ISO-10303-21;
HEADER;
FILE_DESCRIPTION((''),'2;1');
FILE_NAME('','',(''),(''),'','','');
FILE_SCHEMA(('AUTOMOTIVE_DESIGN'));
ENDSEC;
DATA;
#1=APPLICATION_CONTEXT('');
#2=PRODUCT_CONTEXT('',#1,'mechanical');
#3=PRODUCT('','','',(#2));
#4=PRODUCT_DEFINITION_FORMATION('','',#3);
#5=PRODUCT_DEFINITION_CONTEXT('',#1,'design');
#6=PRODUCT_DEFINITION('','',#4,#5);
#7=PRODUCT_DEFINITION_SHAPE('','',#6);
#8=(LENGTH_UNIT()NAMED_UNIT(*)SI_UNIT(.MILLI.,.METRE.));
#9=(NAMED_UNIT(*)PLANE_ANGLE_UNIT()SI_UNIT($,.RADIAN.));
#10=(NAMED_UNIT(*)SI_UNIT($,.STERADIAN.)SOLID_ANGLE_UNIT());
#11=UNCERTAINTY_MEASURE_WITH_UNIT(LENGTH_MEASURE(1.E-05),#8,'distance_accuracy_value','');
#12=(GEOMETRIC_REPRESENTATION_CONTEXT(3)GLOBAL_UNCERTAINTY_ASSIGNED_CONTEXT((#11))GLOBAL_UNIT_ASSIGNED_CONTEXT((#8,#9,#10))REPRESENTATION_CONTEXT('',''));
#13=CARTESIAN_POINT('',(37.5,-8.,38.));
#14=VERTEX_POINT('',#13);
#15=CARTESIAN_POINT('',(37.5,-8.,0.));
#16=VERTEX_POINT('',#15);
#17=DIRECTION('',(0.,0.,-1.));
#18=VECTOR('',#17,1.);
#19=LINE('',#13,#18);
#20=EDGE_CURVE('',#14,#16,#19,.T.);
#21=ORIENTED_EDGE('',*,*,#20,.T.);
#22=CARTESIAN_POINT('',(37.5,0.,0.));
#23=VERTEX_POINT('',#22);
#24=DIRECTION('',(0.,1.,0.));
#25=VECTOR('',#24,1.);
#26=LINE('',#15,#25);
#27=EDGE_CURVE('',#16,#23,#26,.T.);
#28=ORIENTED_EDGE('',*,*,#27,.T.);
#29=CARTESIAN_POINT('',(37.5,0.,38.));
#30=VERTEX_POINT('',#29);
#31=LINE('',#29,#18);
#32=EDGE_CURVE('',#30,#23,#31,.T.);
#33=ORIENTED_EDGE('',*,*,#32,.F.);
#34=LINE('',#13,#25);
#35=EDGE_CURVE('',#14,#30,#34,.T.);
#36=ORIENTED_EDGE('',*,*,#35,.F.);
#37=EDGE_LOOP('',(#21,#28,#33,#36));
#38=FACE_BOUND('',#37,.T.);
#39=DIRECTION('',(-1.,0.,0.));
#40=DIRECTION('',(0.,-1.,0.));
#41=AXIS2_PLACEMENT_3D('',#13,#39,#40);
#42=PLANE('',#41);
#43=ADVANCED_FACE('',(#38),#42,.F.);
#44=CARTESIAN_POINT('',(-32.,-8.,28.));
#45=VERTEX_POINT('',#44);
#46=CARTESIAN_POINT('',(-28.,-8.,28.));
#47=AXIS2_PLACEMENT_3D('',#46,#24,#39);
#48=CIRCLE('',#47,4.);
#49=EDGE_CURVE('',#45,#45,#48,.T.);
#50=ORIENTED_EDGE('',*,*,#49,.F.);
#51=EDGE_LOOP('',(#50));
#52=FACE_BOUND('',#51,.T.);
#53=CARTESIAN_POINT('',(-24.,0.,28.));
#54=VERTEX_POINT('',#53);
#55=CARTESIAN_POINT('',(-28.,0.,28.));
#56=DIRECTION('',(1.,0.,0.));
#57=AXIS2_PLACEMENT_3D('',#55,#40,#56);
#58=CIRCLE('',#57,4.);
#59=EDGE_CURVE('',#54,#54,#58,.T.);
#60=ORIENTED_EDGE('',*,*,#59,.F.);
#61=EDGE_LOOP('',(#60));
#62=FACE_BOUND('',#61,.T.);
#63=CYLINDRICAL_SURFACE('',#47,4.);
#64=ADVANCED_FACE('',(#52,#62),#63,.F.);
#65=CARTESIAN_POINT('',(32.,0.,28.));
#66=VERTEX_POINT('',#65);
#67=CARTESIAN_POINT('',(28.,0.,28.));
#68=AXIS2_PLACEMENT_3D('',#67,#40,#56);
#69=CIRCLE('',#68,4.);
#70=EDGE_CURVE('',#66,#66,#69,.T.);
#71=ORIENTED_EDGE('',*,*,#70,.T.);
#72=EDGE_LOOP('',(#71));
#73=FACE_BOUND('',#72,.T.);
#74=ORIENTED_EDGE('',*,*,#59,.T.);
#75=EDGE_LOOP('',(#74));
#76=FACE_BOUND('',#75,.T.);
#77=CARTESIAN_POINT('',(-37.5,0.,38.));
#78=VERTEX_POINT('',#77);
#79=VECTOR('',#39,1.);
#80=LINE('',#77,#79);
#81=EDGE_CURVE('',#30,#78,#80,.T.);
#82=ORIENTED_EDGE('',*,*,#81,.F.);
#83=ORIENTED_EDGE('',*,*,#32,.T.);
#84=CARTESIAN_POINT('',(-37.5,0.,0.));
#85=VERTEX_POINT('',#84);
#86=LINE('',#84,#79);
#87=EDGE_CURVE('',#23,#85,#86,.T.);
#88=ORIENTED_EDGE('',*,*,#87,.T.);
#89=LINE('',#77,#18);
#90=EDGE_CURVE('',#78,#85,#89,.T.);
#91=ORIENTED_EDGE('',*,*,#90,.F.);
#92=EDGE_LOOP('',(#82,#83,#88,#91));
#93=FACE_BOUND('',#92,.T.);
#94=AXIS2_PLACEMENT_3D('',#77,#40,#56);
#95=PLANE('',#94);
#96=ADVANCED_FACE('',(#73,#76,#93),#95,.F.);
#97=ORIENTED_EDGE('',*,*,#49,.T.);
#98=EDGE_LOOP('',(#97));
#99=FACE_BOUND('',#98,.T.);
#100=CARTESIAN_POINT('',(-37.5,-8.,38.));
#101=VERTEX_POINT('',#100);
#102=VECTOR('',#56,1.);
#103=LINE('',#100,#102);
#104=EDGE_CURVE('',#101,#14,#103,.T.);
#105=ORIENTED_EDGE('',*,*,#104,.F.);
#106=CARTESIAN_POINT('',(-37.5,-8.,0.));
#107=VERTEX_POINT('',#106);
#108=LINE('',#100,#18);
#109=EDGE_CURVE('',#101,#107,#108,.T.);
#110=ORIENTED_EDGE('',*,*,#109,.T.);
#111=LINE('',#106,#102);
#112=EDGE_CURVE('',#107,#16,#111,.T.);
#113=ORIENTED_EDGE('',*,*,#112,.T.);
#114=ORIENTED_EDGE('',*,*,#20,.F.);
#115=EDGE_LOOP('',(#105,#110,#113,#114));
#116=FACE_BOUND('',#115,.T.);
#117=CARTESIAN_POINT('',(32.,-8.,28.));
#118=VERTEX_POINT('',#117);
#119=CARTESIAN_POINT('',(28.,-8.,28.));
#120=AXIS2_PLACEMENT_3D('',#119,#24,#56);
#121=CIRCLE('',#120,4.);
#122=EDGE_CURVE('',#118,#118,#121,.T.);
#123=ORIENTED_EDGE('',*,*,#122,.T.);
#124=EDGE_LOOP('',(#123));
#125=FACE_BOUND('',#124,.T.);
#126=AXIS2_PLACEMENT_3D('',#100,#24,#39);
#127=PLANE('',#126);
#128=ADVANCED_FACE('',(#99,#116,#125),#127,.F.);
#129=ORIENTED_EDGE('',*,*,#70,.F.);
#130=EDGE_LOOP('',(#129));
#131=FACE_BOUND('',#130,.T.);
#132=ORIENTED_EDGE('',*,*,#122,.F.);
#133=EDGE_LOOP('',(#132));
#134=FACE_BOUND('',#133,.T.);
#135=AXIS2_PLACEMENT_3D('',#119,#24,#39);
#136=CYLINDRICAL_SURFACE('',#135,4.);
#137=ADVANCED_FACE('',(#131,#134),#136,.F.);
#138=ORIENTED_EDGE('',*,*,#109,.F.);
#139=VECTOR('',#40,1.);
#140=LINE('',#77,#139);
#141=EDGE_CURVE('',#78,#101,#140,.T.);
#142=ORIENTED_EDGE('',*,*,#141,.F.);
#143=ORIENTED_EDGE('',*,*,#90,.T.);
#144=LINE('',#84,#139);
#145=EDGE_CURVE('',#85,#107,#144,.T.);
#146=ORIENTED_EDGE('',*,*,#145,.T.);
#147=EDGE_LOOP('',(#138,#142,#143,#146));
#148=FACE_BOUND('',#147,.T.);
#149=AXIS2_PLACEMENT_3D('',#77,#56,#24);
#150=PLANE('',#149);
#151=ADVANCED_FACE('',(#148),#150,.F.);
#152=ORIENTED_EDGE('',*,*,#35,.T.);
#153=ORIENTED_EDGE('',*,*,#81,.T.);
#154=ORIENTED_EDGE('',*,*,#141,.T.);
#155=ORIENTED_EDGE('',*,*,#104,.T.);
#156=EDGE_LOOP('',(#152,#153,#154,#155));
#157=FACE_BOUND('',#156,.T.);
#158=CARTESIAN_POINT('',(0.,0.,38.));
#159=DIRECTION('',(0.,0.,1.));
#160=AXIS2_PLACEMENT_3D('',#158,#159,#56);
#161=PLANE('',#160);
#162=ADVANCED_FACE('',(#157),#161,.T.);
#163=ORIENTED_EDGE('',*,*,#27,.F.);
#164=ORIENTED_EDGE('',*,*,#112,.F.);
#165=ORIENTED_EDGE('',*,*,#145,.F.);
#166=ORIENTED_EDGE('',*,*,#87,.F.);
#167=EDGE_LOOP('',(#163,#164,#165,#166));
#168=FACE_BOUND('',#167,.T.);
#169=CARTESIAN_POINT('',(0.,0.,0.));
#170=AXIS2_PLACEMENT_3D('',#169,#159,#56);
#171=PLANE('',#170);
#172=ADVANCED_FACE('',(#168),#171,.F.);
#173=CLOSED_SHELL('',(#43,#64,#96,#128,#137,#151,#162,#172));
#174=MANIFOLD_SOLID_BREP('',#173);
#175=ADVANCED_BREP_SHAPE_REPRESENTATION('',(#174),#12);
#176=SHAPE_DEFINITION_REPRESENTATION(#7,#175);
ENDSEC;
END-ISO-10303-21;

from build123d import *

# Parameters (mm, degrees)
SKETCH1_W               = 75
SKETCH1_H               = 8
BOSS_EXTRUDE1_DEPTH     = 38
CUT_EXTRUDE1_DEPTH      = 54.983793864
CUT_EXTRUDE1_DEPTH_BACK = 54.983793864
SKETCH2_R               = 4


with BuildPart() as part:
    # Sketch1 → Boss-Extrude1 (new body)
    with BuildSketch(Plane.XY):
        with Locations((0, -4)):
            Rectangle(SKETCH1_W, SKETCH1_H)
    extrude(amount=BOSS_EXTRUDE1_DEPTH)

    # Sketch2 → Cut-Extrude1 (cut, two sides: drawn at the far end of the back side and taken through both)
    with BuildSketch(Plane(origin=(0, 0, 0), x_dir=(1, 0, 0), z_dir=(0, 1, 0)).offset(-CUT_EXTRUDE1_DEPTH_BACK)):
        with Locations(Location((-28, -28, 0), (0, 0, 180))):
            Circle(SKETCH2_R)
        with Locations((28, -28)):
            Circle(SKETCH2_R)
    extrude(amount=CUT_EXTRUDE1_DEPTH + CUT_EXTRUDE1_DEPTH_BACK, mode=Mode.SUBTRACT)


solid = part.part
